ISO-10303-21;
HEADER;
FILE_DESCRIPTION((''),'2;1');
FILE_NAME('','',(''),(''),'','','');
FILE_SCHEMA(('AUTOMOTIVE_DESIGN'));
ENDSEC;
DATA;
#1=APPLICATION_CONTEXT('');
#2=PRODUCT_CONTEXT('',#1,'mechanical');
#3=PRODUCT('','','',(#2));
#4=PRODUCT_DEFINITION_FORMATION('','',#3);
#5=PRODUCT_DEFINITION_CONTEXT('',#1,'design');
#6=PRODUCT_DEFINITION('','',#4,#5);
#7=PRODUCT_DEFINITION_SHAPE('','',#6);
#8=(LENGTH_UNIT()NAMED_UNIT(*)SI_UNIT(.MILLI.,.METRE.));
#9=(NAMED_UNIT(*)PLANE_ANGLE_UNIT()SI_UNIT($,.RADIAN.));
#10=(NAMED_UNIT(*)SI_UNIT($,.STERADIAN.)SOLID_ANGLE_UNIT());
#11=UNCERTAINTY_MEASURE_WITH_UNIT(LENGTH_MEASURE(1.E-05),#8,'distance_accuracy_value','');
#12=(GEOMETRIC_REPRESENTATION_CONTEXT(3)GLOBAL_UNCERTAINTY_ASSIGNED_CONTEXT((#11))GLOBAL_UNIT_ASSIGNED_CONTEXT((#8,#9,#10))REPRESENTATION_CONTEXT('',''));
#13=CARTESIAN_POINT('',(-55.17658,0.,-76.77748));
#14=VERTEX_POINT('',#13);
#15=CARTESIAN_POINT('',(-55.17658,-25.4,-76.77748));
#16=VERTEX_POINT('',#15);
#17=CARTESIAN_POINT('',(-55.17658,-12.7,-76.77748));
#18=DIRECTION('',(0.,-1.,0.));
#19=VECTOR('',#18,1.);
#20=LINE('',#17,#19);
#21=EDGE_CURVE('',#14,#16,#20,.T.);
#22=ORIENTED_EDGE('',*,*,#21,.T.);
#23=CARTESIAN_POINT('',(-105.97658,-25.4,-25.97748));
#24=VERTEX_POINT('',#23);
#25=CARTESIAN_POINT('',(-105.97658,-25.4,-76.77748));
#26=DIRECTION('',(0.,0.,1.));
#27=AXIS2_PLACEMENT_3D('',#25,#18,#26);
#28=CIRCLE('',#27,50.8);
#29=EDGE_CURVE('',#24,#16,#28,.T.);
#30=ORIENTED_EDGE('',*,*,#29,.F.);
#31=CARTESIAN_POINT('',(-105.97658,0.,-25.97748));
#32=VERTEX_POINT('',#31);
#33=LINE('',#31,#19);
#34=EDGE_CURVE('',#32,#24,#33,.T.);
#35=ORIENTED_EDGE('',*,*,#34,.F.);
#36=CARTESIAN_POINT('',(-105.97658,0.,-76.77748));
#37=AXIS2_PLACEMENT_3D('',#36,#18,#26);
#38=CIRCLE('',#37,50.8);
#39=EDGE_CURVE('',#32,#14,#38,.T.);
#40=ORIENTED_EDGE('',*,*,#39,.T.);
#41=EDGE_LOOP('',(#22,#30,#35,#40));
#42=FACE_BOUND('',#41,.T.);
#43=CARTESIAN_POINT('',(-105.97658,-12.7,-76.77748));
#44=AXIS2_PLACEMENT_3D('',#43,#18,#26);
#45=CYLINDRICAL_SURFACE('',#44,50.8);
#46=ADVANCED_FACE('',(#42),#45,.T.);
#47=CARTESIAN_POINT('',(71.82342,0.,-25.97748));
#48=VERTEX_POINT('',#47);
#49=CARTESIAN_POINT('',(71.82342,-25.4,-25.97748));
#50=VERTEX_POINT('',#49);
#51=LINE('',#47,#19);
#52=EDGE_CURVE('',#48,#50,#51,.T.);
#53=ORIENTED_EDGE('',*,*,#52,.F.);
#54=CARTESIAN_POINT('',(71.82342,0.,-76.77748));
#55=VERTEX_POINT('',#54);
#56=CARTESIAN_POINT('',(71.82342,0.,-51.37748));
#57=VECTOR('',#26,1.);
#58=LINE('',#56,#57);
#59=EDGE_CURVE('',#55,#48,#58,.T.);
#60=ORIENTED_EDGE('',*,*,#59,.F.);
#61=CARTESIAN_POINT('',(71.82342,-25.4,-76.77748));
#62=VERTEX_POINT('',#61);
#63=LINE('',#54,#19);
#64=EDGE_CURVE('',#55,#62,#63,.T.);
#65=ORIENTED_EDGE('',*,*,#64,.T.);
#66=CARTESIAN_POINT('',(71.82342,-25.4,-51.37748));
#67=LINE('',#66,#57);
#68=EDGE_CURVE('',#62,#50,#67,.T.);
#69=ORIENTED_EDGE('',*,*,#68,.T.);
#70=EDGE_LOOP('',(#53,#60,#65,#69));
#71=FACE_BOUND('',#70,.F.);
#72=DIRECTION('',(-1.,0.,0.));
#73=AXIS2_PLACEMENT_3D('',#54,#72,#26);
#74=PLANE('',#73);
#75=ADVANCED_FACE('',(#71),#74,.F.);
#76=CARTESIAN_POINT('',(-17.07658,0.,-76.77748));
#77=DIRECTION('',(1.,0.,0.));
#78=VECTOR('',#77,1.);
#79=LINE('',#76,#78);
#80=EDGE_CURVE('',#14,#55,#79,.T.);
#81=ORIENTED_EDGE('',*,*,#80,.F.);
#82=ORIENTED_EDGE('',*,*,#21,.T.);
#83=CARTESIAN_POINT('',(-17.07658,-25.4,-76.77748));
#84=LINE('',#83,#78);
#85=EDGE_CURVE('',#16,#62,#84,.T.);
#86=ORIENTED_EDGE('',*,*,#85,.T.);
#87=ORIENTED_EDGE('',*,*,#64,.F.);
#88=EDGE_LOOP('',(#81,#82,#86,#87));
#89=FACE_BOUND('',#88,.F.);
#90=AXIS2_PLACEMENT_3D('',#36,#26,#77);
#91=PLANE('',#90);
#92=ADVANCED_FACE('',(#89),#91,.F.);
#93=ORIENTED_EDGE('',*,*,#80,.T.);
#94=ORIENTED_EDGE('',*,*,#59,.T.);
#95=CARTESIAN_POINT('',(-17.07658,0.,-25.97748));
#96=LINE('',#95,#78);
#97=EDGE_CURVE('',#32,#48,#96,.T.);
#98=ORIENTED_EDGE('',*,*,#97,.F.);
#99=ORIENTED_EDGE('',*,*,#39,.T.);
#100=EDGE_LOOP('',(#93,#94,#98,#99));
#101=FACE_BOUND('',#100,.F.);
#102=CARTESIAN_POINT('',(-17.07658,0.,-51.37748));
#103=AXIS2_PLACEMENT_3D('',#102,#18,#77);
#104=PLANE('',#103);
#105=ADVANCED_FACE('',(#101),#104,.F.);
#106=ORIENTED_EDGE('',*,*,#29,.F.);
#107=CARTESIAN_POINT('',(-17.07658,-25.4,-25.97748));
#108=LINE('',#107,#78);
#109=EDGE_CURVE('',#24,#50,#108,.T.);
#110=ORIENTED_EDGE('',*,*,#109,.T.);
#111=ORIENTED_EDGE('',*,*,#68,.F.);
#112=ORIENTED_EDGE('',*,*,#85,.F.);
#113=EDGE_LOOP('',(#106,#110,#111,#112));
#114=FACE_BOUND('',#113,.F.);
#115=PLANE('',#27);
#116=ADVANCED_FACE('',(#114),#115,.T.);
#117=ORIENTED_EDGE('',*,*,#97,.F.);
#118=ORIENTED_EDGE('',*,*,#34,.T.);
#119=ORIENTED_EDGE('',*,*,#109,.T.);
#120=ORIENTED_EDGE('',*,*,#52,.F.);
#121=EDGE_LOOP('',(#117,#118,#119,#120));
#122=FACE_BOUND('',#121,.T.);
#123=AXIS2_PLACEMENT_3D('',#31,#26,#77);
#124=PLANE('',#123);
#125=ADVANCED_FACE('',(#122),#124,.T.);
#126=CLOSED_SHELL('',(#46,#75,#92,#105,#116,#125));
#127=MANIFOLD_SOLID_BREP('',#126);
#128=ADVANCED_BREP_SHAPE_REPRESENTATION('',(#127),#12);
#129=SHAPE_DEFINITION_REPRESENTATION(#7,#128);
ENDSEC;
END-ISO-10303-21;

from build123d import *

# Parameters (mm, degrees)
F0_W      = 177.8
F0_H      = 50.8
F1_DEPTH  = 25.4
F1_FACE_W = 25.4
F1_FACE_H = 50.8


with BuildPart() as f1:
    # F0 (on Front) → F1 (new body)
    with BuildSketch(Plane.XZ):
        with Locations((-17.07658, -51.37748)):
            Rectangle(F0_W, F0_H)
    extrude(amount=F1_DEPTH)

    # F1_face (on face) → F2 (revolve)
    with BuildSketch(Plane(origin=(-105.97658, -12.7, -51.37748), x_dir=(0, -1, 0), z_dir=(-1, 0, 0))):
        Rectangle(F1_FACE_W, F1_FACE_H)
    revolve(axis=Axis((-105.97658, -12.7, -76.77748), (0, -1, 0)))


solid = f1.part
